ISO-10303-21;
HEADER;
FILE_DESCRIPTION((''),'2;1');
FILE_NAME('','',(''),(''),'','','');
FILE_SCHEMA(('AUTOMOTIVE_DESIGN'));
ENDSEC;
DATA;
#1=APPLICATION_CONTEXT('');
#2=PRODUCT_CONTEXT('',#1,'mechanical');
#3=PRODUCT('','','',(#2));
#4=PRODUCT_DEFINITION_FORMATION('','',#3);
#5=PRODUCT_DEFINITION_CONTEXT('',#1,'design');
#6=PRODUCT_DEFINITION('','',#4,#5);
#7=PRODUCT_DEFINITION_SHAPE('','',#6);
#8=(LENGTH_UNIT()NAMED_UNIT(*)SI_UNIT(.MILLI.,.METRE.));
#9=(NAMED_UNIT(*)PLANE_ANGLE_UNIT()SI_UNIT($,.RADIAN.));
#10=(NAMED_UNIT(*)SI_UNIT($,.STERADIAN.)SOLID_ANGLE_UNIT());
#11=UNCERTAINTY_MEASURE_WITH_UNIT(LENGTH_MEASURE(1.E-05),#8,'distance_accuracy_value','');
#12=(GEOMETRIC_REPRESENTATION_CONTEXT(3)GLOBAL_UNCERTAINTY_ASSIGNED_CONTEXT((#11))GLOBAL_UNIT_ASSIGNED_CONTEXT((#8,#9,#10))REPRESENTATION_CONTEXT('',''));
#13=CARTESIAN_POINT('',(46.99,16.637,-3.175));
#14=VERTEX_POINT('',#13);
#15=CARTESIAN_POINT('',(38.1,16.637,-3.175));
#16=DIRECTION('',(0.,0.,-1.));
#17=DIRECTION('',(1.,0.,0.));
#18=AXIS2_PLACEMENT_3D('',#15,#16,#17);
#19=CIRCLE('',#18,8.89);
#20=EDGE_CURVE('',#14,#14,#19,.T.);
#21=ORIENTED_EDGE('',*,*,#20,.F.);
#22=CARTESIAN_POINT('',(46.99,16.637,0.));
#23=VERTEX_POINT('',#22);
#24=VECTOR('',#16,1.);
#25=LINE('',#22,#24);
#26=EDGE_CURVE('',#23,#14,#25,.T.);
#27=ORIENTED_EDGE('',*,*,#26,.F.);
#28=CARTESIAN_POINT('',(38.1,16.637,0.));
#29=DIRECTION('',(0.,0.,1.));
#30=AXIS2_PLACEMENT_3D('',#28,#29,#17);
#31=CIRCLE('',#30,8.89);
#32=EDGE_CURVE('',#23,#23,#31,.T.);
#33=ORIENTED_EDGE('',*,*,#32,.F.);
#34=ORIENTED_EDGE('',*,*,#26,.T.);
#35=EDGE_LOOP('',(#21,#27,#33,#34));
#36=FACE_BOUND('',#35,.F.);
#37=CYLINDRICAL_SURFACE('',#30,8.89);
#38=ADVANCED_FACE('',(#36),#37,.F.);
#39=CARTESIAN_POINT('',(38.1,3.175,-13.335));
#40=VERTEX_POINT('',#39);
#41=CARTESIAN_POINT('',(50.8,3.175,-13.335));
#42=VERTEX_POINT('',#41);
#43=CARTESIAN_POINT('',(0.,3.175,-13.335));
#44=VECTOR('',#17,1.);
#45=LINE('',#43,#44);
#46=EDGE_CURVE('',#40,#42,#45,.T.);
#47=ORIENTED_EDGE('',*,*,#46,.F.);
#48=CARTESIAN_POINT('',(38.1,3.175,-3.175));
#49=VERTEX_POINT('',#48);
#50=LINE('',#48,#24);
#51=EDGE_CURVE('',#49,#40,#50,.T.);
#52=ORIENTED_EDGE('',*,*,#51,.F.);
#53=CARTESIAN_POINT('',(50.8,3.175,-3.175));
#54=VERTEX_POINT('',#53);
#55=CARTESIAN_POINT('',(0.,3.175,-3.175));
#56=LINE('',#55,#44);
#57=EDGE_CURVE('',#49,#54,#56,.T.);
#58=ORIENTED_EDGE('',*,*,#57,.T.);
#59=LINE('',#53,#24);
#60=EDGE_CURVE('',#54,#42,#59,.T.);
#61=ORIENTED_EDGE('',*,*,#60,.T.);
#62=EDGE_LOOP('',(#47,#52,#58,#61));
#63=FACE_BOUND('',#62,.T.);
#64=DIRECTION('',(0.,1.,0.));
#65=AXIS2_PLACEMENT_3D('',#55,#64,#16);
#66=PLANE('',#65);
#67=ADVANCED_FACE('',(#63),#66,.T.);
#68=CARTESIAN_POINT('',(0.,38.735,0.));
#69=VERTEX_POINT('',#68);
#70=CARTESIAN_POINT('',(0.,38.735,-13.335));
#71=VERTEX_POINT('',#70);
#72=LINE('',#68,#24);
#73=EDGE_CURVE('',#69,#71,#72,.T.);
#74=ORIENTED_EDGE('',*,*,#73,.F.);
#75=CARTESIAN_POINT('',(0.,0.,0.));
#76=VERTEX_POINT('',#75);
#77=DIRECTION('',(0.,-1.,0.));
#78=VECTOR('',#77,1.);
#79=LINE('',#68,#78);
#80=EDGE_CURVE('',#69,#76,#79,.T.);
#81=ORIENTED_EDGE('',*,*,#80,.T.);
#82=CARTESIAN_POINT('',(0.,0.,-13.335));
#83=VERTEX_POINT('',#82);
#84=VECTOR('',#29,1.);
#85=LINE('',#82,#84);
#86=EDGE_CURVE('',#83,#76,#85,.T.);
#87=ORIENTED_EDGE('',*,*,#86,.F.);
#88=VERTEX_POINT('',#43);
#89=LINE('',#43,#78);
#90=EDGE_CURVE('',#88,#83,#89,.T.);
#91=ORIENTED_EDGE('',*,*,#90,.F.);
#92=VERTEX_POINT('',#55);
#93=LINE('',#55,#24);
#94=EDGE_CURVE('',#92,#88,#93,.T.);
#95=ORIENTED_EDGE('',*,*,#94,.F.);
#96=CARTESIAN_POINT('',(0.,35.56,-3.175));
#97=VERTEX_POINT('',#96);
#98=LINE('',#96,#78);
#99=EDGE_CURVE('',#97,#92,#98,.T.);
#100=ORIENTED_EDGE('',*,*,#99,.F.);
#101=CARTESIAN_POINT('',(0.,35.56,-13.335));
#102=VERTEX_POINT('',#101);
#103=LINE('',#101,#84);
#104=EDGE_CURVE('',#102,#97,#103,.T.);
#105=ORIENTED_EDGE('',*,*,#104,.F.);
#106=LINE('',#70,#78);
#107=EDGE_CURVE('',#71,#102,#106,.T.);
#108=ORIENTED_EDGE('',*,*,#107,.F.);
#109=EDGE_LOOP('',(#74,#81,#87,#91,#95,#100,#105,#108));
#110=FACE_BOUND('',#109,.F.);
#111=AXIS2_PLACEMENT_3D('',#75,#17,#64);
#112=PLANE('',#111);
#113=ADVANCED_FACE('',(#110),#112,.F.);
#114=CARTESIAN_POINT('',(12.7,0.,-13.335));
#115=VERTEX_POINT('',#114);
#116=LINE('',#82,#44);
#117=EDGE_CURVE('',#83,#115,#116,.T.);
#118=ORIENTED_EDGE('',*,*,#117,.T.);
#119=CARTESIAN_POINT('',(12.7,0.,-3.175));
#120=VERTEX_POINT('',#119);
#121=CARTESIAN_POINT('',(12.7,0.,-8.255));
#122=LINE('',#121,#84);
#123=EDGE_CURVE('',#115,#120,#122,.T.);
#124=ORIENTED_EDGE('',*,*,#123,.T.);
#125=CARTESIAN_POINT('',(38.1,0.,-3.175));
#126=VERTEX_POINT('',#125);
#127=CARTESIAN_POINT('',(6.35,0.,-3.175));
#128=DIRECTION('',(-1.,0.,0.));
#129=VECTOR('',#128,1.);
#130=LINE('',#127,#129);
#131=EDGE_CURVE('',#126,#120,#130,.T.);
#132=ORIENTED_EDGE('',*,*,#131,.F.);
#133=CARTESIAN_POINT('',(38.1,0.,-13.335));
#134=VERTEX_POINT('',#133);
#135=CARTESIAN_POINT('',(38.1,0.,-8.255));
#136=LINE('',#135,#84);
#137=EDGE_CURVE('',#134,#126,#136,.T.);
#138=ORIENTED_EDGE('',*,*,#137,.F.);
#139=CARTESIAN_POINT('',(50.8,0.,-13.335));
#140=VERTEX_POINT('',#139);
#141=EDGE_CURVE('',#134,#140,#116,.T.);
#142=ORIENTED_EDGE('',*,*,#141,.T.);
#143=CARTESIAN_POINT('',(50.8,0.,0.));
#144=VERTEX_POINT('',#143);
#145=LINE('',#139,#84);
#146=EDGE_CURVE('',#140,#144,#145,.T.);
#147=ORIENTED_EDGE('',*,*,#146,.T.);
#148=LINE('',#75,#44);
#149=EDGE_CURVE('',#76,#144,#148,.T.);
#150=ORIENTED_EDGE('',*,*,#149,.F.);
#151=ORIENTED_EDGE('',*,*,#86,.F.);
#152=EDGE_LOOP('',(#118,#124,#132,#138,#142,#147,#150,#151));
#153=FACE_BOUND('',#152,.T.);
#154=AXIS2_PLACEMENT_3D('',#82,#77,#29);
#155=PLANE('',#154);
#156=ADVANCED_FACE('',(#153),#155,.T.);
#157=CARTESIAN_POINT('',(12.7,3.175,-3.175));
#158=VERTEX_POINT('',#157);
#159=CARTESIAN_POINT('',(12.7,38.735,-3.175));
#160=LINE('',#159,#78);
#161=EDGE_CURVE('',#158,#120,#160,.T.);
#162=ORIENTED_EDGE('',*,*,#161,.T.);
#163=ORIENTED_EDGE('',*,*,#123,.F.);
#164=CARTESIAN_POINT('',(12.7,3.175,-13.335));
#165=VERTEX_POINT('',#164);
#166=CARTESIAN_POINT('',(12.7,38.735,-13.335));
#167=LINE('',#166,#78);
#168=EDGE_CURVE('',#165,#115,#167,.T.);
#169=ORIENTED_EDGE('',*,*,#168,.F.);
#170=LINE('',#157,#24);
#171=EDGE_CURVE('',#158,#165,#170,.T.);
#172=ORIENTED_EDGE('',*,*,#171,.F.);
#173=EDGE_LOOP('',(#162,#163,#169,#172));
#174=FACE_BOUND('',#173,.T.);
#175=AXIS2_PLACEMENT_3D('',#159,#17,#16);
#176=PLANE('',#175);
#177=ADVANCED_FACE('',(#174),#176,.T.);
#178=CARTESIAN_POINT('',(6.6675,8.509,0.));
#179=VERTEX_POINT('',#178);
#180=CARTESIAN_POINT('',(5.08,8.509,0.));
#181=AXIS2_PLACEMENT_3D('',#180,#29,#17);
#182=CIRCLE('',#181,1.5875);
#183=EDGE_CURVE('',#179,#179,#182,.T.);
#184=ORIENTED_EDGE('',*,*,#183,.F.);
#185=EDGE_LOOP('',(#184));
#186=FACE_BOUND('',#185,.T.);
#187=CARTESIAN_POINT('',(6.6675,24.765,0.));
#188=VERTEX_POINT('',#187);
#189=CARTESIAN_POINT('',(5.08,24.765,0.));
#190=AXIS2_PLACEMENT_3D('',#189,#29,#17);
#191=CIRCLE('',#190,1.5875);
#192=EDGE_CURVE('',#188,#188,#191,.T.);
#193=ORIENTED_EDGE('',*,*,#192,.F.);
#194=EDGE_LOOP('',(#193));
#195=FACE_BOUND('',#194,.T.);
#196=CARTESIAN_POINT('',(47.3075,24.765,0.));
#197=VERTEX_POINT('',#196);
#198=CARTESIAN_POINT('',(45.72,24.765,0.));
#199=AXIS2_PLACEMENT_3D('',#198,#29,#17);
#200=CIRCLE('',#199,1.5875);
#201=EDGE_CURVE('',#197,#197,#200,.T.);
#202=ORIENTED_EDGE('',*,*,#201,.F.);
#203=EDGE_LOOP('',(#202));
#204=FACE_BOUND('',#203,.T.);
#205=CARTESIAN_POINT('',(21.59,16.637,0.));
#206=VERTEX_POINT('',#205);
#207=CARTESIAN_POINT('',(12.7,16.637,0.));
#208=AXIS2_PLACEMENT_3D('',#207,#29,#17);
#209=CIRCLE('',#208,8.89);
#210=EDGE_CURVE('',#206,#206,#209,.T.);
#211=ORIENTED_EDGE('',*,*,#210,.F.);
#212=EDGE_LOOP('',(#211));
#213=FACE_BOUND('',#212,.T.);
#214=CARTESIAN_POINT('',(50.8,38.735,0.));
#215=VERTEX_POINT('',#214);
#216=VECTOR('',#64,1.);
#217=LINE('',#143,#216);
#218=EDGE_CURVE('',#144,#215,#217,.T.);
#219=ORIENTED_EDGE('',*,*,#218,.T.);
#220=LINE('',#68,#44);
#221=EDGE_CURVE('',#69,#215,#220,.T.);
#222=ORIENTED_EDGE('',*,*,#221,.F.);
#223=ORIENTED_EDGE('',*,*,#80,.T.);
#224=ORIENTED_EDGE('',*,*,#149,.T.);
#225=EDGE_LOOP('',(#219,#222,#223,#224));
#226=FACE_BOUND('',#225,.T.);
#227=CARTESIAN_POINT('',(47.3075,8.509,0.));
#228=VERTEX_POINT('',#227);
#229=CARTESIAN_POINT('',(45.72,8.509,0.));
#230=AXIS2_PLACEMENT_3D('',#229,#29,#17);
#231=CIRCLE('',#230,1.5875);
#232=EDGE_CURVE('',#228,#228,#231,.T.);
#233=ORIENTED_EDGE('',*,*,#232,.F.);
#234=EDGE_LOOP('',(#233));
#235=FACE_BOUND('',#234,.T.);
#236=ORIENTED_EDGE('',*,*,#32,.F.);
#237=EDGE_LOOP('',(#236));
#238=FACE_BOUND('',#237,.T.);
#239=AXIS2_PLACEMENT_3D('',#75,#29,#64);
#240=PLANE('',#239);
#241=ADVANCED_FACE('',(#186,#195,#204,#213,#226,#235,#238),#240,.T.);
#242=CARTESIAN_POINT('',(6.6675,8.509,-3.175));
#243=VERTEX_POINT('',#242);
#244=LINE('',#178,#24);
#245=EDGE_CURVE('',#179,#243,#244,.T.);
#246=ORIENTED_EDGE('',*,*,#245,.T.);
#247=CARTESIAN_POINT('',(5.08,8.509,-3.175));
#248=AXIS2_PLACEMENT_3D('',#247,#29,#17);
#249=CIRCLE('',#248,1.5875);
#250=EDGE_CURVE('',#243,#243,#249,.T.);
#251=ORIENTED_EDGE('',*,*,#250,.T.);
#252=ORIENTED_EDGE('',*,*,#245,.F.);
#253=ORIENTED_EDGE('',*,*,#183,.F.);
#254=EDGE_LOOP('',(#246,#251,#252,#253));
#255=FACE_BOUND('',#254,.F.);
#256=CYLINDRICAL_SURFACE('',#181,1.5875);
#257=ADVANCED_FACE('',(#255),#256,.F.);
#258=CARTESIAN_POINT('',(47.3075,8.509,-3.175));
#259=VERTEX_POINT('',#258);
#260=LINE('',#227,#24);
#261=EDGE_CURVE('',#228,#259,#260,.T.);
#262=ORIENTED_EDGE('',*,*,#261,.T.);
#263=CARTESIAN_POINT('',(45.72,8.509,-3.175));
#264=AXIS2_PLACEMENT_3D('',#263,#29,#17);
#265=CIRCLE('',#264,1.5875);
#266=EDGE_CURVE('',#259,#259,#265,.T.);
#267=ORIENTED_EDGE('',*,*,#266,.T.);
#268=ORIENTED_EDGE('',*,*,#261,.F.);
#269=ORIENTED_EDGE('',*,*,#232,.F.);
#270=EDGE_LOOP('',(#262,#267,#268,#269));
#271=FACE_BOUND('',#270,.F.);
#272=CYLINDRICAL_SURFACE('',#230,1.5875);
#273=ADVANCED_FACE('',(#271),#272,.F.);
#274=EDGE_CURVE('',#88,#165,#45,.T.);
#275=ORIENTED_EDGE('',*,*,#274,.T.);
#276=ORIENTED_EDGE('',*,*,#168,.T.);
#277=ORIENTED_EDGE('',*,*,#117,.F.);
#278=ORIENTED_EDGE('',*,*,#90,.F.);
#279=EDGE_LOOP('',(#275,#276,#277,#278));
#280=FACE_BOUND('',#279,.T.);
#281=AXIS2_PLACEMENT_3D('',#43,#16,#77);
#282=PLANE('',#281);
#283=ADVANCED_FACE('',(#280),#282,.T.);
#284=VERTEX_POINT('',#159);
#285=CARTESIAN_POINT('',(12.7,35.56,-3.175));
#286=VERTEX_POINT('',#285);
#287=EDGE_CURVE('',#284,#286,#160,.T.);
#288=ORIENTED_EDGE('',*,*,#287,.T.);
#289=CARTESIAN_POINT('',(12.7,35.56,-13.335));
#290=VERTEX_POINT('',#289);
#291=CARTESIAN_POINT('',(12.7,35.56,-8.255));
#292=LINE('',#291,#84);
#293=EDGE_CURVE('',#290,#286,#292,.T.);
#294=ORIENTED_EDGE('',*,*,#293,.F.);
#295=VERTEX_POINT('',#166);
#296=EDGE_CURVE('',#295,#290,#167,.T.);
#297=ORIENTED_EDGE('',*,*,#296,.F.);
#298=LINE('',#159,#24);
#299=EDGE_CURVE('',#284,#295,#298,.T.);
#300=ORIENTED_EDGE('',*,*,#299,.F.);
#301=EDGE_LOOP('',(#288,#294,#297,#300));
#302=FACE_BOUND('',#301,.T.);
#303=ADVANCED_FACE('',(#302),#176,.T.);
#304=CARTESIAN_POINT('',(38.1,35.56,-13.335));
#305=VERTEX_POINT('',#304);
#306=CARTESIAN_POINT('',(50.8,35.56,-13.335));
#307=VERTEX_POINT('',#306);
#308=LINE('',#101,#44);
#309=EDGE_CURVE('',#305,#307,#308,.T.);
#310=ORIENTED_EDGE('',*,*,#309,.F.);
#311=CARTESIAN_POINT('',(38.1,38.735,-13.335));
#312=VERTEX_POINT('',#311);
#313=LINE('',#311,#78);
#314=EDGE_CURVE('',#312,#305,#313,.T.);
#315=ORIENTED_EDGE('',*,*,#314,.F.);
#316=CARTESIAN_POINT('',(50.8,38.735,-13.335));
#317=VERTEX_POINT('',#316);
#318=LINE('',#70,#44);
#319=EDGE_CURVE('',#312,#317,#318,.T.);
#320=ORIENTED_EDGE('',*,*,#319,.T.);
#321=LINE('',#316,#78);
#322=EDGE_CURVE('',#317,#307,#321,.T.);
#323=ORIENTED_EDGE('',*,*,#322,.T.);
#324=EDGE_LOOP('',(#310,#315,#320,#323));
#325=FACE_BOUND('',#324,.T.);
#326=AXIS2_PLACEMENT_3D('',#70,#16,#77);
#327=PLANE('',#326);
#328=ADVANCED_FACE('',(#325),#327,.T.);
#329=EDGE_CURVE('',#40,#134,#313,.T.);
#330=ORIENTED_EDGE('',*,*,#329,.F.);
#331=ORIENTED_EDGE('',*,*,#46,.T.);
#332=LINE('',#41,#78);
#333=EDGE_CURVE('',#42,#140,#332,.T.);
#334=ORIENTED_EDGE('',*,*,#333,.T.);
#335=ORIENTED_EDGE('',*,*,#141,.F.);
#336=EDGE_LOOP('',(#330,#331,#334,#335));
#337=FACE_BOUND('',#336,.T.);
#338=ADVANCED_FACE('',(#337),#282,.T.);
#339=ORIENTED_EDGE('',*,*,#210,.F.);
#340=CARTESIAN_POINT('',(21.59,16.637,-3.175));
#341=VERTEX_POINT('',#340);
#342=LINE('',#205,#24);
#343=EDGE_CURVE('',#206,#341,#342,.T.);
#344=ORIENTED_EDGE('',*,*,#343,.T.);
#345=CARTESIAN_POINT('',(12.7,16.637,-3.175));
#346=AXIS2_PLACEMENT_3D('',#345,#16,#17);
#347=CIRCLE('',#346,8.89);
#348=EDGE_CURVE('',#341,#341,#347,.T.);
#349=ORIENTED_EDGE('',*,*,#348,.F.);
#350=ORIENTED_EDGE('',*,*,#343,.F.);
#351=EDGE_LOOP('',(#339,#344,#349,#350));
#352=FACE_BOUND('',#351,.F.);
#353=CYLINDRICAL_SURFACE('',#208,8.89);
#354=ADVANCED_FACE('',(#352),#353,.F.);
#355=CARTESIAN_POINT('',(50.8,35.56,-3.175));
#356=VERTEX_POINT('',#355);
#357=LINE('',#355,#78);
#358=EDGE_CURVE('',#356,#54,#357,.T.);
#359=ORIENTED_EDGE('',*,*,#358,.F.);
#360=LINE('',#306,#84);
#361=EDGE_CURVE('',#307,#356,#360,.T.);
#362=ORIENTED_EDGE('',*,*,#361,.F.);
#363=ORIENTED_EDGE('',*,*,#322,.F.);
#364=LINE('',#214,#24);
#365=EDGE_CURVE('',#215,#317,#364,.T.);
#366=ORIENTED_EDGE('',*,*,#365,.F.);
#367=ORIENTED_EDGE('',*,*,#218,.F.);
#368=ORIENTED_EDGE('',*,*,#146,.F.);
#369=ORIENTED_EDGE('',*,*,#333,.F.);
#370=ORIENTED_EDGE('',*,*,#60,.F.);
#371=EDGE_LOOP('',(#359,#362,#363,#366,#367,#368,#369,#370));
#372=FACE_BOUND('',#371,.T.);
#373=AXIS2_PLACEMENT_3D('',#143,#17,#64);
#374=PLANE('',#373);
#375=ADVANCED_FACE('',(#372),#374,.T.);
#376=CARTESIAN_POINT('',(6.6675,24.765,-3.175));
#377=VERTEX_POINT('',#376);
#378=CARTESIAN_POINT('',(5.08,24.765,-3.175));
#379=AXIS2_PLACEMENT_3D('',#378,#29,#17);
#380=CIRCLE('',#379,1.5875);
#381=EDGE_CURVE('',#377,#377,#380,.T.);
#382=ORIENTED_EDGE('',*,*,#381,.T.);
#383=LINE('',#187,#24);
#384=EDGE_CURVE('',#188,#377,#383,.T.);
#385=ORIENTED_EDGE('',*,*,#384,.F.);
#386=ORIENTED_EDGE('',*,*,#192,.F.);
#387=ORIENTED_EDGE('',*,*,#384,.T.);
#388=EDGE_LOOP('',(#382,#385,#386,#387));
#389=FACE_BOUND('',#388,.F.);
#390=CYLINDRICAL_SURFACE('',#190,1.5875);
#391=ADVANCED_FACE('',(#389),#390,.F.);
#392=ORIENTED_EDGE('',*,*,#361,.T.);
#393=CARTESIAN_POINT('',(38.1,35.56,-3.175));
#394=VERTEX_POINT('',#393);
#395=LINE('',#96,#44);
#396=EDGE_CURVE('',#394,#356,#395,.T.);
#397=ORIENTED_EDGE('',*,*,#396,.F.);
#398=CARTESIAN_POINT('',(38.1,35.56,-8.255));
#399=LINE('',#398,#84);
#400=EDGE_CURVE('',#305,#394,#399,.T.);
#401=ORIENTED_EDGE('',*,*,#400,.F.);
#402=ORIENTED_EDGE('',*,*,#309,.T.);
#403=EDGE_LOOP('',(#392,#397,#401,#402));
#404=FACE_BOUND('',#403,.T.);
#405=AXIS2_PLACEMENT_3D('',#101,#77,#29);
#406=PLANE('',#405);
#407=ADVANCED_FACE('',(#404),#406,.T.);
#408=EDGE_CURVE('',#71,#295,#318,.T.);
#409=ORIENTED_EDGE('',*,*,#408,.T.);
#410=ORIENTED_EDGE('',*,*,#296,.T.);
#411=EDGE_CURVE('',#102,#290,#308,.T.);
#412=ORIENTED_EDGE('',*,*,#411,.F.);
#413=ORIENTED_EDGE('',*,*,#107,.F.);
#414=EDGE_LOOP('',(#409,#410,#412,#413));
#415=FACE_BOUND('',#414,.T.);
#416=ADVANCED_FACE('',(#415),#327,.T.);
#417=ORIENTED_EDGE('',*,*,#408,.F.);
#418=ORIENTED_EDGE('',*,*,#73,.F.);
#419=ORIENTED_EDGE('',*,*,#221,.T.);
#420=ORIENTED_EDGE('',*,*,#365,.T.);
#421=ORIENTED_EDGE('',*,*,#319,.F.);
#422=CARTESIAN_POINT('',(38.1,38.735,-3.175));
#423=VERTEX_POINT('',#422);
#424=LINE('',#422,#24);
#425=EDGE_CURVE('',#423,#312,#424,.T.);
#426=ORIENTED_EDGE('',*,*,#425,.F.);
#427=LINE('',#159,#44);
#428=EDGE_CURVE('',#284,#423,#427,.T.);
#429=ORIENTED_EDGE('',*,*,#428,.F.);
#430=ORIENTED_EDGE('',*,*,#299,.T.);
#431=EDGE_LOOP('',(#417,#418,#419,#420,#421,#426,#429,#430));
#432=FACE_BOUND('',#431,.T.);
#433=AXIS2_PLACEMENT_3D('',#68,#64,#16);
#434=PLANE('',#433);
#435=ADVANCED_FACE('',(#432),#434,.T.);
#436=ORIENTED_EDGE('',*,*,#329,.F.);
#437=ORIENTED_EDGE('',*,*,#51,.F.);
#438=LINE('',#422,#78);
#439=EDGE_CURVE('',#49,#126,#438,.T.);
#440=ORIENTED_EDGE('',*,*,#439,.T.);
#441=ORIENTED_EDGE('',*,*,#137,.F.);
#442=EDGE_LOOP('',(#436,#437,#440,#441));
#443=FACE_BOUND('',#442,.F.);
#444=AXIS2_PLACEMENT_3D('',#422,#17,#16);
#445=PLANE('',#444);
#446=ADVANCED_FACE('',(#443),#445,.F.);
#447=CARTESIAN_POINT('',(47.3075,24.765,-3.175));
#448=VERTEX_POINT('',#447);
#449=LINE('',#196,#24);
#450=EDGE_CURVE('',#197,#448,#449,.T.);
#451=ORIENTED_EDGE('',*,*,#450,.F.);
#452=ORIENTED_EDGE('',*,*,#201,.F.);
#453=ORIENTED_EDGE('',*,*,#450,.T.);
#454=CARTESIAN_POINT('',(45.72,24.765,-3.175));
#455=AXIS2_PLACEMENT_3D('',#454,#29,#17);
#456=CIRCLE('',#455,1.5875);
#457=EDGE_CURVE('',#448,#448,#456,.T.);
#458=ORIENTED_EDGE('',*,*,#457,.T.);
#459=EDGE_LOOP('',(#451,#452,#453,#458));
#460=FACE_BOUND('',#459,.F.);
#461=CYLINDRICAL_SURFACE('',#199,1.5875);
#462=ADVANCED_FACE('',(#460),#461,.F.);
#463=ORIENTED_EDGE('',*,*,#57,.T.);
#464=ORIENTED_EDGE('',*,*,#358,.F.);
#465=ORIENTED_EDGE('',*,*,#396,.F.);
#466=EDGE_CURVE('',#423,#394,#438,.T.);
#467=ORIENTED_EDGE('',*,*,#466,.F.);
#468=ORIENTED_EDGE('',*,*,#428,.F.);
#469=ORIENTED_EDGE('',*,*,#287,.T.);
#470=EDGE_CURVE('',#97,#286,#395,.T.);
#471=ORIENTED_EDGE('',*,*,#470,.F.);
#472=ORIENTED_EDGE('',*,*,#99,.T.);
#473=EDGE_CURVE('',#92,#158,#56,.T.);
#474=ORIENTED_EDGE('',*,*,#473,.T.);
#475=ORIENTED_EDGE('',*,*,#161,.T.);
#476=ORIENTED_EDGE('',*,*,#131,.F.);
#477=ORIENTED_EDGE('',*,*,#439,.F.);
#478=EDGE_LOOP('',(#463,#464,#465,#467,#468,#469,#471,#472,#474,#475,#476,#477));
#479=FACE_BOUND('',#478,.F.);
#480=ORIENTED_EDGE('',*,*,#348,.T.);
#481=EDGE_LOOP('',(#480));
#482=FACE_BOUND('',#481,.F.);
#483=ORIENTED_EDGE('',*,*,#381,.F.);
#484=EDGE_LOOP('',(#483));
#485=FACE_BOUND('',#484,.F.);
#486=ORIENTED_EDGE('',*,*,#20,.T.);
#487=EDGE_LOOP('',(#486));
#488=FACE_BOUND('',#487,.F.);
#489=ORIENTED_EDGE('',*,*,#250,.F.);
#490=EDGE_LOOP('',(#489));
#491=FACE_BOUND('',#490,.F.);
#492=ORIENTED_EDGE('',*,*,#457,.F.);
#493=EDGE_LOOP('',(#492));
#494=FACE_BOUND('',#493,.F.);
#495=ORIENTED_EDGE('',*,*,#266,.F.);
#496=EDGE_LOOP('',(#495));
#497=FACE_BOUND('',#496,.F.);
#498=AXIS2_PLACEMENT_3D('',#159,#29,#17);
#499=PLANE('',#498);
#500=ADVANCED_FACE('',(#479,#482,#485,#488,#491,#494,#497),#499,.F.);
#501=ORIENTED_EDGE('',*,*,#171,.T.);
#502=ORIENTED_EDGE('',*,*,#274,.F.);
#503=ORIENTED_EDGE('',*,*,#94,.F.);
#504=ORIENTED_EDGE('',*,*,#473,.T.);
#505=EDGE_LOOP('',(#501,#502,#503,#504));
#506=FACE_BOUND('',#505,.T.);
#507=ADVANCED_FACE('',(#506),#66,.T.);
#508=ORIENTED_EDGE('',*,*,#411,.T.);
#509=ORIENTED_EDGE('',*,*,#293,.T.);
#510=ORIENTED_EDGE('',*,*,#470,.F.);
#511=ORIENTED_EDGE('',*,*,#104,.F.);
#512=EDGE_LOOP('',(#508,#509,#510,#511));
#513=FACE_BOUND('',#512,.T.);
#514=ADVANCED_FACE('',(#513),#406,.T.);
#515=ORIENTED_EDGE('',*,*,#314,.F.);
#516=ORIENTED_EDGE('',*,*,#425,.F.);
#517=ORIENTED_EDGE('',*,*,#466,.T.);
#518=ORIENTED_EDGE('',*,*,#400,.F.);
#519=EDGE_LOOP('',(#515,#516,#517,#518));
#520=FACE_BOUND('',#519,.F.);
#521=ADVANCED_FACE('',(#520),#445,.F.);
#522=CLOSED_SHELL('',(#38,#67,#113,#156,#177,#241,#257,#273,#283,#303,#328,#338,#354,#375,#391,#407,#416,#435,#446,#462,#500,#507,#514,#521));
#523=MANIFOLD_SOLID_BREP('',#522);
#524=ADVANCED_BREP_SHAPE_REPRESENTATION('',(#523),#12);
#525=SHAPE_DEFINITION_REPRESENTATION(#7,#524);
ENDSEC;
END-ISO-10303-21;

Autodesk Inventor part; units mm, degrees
ref_plane "YZ Plane" through (0, 0, 0) normal (1, 0, 0) x (0, 1, 0)
ref_plane "XZ Plane" through (0, 0, 0) normal (0, 1, 0) x (-1, 0, 0)
ref_plane "XY Plane" through (0, 0, 0) normal (0, 0, 1) x (1, 0, 0)
sketch "Sketch1" plane through (0, 0, 0) normal (1, 0, 0) x (0, 1, 0)
  line L0 (0, 0) -> (35.56, 0)
  line L1 (35.56, -3.175) -> (3.175, -3.175)
  line L2 (3.175, -3.175) -> (3.175, -13.335)
  line L3 (3.175, -13.335) -> (0, -13.335)
  line L4 (0, -13.335) -> (0, 0)
  line L5 (35.56, 0) -> (38.735, 0)
  line L6 (38.735, 0) -> (38.735, -13.335)
  line L7 (38.735, -13.335) -> (35.56, -13.335)
  line L8 (35.56, -13.335) -> (35.56, -3.175)
  dimension "d0" = 3.175
  dimension "d1" = 35.56
  dimension "d33" = 13.335
  dimension "d34" = 3.175
  dimension "d48" = 90
  dimension "d49" = 13.335
  dimension "d50" = 3.175
  dimension "d51" = 10.16
extrude "Extrusion1" add sketch "Sketch1" along normal blind 50.8
sketch "Sketch3" plane through (0, 0, 0) normal (0, 0, 1) x (1, 0, 0)
  line L0 (0, 35.56) -> (50.8, 35.56) projected
  line L1 (25.4, 35.56) -> (25.4, 3.175) construction
  line L2 (0, 3.175) -> (50.8, 3.175) projected
  circle A0 centre (12.7, 16.637) radius 8.89
  circle A1 centre (38.1, 16.637) radius 8.89
  line L3 (0, 0) -> (0, 35.56) projected
  line L4 (0, 27.305) -> (50.8, 27.305) construction
  line L5 (0, 5.969) -> (52.4314, 5.969) construction
  line L6 (2.54, 27.305) -> (2.54, 5.969) construction
  line L7 (48.26, 27.305) -> (48.26, 5.969) construction
  circle A2 centre (5.08, 8.509) radius 1.5875
  circle A3 centre (45.72, 24.765) radius 1.5875
  circle A4 centre (5.08, 24.765) radius 1.5875
  circle A5 centre (45.72, 8.509) radius 1.5875
  dimension "d7" = 17.78
  dimension "d8" = 12.7
  dimension "d13" = 10.668
  dimension "d14" = 10.668
  dimension "d15" = 10.16
  dimension "d16" = 10.16
  dimension "d17" = 3.175
  dimension "d19" = 2.54
  dimension "d20" = 3.175
  dimension "d21" = 2.54
  dimension "d25" = 2.54
  dimension "d26" = 2.54
  dimension "d38" = 3.175
  dimension "d39" = 2.54
  dimension "d40" = 2.54
  dimension "d41" = 3.175
  dimension "d42" = 2.54
  dimension "d43" = 2.54
  dimension "d53" = 2.794
extrude "Extrusion2" cut sketch "Sketch3" against normal through all
sketch "Sketch5" plane through (0, 38.735, 0) normal (0, 1, 0) x (1, 0, 0)
  line L0 (0, 0) -> (50.8, 0) construction
  line L1 (0, 3.175) -> (50.8, 3.175) construction
  line L2 (12.7, 3.175) -> (12.7, 13.335)
  line L3 (0, 13.335) -> (50.8, 13.335) projected
  line L4 (38.1, 3.175) -> (38.1, 13.335)
  line L5 (0, 0) -> (0, 13.335) projected
  line L6 (12.7, 3.175) -> (38.1, 3.175)
  line L7 (12.7, 13.335) -> (38.1, 13.335)
  dimension "d44" = 25.4
  dimension "d45" = 12.7
extrude "Extrusion4" cut sketch "Sketch5" against normal through all
equation "\"d49\" = d33"
equation "\"d50\" = d0"
properties part number "ping_bracket"
